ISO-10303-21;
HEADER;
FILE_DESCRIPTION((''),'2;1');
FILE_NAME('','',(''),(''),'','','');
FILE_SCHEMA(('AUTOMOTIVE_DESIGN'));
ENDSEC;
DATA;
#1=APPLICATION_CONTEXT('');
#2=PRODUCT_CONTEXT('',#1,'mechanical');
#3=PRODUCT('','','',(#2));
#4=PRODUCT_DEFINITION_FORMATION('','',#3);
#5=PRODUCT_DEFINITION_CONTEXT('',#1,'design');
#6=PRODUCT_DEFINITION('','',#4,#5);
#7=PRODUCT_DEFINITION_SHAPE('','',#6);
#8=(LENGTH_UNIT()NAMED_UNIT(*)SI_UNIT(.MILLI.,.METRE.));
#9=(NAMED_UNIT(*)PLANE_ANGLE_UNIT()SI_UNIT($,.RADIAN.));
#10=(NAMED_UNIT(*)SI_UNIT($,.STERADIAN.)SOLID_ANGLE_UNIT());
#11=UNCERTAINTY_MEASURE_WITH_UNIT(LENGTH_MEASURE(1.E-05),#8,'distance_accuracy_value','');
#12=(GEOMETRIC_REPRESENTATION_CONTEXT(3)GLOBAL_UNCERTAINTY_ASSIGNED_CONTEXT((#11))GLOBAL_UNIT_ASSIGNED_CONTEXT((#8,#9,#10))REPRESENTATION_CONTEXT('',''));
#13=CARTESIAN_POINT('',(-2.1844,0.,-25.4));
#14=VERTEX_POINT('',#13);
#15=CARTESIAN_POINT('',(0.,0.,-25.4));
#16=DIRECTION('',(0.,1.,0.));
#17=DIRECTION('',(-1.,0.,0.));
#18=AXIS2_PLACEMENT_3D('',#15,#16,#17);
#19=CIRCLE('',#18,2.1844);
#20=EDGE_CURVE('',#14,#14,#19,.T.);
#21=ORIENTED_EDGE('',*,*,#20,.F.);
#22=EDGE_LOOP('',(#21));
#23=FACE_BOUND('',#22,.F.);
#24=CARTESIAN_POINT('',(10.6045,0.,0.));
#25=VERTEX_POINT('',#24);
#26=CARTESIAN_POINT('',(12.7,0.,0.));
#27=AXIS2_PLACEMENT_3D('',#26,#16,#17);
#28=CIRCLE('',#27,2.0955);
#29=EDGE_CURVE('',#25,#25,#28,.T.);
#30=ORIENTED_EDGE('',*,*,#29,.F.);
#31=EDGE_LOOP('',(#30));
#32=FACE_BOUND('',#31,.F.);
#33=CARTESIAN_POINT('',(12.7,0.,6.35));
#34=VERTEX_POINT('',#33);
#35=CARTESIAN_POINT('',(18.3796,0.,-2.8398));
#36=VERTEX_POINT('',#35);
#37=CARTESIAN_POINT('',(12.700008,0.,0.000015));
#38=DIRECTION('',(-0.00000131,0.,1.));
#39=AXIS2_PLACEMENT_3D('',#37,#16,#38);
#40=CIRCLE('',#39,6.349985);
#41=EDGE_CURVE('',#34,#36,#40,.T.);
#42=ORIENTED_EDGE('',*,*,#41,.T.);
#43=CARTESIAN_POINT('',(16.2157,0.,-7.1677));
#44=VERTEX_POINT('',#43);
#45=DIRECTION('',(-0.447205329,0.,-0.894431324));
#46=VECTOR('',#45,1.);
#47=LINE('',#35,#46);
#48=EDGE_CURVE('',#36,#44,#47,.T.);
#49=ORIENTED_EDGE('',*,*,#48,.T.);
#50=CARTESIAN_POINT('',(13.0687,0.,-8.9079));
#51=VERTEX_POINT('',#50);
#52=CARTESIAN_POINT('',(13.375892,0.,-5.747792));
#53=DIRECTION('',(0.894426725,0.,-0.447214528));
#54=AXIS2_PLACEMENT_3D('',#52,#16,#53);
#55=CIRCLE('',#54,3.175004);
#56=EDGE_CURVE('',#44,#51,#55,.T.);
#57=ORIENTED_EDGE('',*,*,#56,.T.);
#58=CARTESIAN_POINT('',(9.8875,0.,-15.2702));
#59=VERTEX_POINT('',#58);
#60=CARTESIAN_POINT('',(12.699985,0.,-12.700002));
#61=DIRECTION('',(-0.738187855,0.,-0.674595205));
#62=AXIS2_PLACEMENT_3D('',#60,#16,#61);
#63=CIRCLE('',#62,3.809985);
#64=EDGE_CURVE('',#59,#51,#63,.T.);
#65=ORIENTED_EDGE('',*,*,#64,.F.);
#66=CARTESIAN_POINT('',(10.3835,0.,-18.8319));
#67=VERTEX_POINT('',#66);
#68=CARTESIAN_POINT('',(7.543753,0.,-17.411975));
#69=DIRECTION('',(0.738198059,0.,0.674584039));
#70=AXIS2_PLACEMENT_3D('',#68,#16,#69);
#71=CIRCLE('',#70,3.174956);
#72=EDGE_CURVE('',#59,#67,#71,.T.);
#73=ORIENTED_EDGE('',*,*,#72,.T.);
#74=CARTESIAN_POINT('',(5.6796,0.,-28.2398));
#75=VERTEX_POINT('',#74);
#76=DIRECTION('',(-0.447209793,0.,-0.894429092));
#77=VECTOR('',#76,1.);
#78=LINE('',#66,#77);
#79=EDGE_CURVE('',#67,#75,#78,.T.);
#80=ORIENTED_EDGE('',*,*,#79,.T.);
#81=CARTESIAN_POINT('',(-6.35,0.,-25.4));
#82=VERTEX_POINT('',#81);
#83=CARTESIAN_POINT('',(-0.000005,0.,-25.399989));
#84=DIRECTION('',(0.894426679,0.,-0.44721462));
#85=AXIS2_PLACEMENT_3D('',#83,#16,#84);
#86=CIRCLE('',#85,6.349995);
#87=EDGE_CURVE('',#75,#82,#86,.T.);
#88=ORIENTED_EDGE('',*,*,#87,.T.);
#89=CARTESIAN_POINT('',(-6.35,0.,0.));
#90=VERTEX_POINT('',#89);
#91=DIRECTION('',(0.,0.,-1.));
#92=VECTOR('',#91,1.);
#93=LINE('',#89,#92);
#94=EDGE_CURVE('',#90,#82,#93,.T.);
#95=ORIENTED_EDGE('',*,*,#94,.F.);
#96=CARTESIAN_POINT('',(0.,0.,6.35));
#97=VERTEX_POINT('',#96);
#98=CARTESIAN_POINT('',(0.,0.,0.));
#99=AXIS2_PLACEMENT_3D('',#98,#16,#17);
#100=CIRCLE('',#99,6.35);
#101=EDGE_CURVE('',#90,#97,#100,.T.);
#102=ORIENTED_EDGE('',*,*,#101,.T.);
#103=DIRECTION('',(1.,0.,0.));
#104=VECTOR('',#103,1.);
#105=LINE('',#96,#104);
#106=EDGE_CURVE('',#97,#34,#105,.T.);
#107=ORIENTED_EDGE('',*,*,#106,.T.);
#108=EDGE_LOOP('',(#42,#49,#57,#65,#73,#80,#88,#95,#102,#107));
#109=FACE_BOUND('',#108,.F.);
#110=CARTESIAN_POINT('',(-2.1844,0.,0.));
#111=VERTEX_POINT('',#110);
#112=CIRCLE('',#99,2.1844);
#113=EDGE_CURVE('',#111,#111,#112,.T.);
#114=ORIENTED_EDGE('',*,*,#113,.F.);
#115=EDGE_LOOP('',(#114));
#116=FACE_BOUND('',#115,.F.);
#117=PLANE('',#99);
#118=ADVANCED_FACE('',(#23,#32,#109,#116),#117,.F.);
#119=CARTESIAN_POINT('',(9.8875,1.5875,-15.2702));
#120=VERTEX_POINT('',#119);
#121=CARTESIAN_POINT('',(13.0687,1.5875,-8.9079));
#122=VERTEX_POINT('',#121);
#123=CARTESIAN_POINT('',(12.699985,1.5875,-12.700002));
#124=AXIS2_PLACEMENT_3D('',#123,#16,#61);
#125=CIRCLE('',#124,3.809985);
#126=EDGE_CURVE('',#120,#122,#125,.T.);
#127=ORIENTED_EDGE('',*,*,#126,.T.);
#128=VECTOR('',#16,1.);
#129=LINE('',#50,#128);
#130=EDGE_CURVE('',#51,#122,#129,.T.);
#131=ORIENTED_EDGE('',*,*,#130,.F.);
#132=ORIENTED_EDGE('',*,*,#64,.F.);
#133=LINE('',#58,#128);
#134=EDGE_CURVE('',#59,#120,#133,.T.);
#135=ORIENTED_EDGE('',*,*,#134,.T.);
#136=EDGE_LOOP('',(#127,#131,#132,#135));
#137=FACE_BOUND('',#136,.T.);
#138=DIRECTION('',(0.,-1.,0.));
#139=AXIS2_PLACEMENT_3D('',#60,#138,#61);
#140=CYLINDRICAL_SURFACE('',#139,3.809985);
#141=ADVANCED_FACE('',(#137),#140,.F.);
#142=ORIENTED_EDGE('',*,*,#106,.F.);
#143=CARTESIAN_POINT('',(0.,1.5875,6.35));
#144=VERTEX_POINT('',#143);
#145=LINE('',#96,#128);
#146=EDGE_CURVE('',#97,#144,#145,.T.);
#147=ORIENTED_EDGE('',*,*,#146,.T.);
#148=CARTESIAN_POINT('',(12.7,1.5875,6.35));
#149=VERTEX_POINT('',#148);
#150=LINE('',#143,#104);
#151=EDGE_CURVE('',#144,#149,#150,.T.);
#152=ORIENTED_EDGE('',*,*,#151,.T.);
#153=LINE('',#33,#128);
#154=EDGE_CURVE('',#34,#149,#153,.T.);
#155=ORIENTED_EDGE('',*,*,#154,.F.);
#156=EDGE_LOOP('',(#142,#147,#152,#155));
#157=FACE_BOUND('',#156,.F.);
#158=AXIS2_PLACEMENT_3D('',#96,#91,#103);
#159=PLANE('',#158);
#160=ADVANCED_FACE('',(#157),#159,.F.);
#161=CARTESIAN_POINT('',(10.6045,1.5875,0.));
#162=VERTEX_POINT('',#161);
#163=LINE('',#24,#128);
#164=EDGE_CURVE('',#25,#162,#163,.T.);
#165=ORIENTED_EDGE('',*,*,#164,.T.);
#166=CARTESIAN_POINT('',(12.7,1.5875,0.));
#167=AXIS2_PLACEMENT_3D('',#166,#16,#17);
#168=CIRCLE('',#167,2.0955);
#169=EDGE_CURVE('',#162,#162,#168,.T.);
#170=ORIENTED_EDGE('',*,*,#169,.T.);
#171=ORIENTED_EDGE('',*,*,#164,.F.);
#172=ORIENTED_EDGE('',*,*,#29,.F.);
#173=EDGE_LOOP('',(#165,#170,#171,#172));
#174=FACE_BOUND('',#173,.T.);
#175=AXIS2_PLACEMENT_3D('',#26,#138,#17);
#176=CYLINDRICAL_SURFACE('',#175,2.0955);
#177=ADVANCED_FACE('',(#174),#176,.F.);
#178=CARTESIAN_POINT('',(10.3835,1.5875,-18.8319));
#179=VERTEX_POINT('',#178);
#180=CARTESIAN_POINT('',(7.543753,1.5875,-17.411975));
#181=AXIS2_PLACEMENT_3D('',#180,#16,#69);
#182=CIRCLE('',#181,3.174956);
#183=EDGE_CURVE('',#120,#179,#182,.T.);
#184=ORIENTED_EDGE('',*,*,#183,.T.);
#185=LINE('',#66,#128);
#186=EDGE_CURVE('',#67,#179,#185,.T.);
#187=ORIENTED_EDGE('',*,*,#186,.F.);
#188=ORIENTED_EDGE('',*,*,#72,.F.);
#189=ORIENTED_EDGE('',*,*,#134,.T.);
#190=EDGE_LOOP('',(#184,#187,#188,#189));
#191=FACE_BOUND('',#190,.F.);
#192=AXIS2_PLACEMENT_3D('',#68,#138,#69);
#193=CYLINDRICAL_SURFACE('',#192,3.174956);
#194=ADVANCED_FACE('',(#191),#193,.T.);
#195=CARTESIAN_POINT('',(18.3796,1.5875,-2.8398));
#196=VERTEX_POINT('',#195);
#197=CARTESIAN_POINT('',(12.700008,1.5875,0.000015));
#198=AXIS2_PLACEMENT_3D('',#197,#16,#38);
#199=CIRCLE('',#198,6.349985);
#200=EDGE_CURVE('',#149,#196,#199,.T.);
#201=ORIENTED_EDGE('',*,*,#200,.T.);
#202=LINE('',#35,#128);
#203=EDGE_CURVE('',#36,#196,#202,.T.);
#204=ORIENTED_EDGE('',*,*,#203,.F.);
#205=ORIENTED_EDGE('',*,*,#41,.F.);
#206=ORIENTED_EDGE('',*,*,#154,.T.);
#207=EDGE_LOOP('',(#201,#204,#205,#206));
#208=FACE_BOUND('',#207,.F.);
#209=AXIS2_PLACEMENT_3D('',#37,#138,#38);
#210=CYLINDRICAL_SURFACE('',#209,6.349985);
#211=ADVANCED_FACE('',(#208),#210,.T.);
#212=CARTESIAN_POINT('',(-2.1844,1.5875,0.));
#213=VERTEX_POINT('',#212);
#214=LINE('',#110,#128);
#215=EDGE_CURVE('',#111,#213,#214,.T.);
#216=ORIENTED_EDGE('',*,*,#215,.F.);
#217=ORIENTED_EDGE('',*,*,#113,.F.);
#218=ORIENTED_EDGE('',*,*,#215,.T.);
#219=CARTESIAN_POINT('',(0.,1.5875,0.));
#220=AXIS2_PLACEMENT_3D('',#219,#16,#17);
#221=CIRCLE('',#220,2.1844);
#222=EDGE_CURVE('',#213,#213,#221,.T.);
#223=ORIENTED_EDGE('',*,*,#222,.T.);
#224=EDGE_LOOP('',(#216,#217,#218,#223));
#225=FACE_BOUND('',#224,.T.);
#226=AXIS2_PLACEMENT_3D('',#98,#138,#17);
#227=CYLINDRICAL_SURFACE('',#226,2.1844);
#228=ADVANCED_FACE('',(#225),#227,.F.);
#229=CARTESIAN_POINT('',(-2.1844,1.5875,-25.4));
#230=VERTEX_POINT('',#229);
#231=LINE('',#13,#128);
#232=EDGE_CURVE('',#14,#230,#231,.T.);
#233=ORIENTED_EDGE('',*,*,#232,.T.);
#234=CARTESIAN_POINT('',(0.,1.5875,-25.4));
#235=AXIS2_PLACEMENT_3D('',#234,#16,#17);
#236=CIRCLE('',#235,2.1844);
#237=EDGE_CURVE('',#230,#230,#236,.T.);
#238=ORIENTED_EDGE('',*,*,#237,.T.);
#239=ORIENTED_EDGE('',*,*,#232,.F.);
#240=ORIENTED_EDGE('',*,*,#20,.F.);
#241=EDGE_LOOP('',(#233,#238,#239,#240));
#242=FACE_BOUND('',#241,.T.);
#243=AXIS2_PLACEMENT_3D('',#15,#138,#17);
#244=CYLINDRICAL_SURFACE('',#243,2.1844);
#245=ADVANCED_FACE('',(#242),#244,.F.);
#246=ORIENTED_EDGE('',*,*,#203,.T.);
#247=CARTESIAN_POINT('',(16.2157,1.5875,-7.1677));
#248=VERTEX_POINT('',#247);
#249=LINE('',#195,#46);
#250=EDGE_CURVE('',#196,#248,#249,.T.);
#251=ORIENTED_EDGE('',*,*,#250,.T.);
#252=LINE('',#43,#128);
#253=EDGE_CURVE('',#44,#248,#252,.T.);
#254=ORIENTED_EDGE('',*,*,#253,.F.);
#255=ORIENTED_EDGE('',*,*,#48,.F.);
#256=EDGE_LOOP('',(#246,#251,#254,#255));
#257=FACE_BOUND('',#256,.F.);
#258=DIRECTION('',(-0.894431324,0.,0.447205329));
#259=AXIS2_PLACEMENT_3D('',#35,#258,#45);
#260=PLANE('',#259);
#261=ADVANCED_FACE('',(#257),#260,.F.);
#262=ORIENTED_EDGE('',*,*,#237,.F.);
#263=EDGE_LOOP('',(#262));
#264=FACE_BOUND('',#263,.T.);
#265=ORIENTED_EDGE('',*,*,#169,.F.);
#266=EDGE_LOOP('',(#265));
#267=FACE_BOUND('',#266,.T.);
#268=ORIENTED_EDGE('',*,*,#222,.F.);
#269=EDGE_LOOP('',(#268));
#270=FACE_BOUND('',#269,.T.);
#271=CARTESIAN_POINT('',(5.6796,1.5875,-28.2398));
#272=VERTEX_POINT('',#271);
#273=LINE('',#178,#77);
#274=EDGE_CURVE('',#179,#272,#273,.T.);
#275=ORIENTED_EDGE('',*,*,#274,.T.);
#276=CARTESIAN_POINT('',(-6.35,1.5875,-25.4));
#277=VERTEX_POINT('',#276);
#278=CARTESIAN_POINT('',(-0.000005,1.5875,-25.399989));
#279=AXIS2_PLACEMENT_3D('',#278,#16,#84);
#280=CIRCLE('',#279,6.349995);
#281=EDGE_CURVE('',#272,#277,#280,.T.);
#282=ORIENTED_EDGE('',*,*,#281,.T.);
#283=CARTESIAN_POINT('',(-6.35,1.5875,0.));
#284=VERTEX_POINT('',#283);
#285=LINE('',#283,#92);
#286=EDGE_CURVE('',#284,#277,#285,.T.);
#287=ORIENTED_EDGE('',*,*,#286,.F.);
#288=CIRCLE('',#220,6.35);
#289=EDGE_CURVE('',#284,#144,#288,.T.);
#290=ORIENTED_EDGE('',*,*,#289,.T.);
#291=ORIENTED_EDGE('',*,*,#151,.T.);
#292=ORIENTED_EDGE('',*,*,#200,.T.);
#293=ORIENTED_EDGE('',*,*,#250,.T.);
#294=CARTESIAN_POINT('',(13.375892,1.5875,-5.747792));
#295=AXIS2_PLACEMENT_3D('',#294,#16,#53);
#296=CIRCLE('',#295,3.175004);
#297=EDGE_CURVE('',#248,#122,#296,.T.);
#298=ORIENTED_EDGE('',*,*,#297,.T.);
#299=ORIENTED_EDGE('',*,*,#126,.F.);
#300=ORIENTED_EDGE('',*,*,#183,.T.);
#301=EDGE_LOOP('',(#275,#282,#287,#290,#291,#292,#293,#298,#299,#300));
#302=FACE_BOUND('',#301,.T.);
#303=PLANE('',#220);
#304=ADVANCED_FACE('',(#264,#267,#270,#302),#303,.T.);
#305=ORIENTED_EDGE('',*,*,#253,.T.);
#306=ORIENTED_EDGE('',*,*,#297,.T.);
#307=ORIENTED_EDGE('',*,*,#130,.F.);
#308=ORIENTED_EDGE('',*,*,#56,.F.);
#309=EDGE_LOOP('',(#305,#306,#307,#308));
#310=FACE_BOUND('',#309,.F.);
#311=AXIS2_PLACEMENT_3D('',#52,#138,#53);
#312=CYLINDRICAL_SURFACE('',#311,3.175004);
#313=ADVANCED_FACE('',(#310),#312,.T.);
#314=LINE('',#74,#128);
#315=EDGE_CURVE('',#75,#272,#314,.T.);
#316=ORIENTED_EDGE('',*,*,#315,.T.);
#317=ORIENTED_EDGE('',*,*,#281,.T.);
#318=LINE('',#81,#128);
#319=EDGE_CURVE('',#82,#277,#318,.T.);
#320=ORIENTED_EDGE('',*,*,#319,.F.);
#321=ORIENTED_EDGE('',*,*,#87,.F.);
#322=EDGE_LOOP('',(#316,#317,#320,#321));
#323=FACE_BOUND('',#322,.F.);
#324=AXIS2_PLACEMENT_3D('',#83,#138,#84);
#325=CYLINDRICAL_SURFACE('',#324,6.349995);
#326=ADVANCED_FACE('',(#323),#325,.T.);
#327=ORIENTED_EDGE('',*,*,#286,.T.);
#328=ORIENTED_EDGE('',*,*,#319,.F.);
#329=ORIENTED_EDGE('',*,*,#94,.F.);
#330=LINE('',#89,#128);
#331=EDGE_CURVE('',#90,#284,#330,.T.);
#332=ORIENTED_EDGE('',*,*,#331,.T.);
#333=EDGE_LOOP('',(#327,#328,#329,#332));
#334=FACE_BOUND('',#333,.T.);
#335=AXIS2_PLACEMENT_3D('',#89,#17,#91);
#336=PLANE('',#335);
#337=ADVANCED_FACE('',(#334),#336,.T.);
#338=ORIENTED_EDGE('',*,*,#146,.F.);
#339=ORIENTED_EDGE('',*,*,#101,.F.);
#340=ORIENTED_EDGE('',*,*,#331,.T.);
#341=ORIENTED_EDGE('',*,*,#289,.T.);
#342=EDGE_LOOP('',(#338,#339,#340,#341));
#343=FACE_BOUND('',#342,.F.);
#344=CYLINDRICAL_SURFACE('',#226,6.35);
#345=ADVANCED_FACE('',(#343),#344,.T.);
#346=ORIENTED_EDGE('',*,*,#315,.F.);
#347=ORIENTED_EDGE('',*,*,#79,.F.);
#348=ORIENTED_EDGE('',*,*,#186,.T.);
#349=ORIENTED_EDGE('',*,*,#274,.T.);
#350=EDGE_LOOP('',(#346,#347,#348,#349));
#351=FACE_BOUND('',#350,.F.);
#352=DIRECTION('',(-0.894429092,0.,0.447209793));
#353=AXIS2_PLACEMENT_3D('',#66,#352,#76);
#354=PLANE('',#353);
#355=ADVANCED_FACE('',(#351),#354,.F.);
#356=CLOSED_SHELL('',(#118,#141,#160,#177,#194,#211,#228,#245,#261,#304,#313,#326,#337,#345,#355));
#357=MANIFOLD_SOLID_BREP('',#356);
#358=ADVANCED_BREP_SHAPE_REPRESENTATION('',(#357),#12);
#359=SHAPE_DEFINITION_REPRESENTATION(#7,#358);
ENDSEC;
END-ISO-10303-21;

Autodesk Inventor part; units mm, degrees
ref_plane "YZ Plane" through (0, 0, 0) normal (1, 0, 0) x (0, 1, 0)
ref_plane "XZ Plane" through (0, 0, 0) normal (0, 1, 0) x (-1, 0, 0)
ref_plane "XY Plane" through (0, 0, 0) normal (0, 0, 1) x (1, 0, 0)
sketch "Sketch1" plane through (0, 0, 0) normal (0, 1, 0) x (-1, 0, 0)
  circle A0 centre (0, 0) radius 2.1844
  circle A1 centre (0, -25.4) radius 2.1844
  arc A2 (6.35, 0) -> (0, 6.35) centre (0, 0) ccw
  arc A3 (-5.6796, -28.2398) -> (6.35, -25.4) centre (0, -25.4) ccw
  line L0 (6.35, 0) -> (6.35, -25.4)
  circle A4 centre (-12.7, 0) radius 2.0955
  arc A5 (-12.7, 6.35) -> (-18.3796, -2.8398) centre (-12.7, 0) ccw
  line L1 (0, 6.35) -> (-12.7, 6.35)
  arc A6 (-9.8875, -15.2702) -> (-13.0687, -8.9079) centre (-12.7, -12.7) ccw
  line L2 (-18.3796, -2.8398) -> (-16.2157, -7.1677)
  line L3 (-10.3835, -18.8319) -> (-5.6796, -28.2398)
  arc A7 (-9.8875, -15.2702) -> (-10.3835, -18.8319) centre (-7.5437, -17.412) ccw
  arc A8 (-16.2157, -7.1677) -> (-13.0687, -8.9079) centre (-13.3759, -5.7478) ccw
  point P0 (-14.9769, -9.6452)
  point P1 (-11.6223, -16.3544)
  dimension "d0" = 4.3688
  dimension "d1" = 12.7
  dimension "d2" = 4.191
  dimension "d5" = 7.62
  dimension "d6" = 3.175
extrude "Extrusion1" add sketch "Sketch1" along normal blind 1.5875
equation "\"BendRadius\" = Thickness"
equation "\"BendReliefWidth\" = Thickness"
equation "\"BendReliefDepth\" = 0.5 * Thickness"
equation "\"CornerReliefSize\" = 4 * Thickness"
equation "\"MinimumRemnant\" = 2 * Thickness"
equation "\"TransitionRadius\" = BendRadius"
equation "\"JacobiRadiusSize\" = BendRadius"
equation "\"GapSize\" = Thickness"
equation "\"Thickness\" = 1.5875"
properties part number "wing_pivot" material "Acetal Resin, White"
